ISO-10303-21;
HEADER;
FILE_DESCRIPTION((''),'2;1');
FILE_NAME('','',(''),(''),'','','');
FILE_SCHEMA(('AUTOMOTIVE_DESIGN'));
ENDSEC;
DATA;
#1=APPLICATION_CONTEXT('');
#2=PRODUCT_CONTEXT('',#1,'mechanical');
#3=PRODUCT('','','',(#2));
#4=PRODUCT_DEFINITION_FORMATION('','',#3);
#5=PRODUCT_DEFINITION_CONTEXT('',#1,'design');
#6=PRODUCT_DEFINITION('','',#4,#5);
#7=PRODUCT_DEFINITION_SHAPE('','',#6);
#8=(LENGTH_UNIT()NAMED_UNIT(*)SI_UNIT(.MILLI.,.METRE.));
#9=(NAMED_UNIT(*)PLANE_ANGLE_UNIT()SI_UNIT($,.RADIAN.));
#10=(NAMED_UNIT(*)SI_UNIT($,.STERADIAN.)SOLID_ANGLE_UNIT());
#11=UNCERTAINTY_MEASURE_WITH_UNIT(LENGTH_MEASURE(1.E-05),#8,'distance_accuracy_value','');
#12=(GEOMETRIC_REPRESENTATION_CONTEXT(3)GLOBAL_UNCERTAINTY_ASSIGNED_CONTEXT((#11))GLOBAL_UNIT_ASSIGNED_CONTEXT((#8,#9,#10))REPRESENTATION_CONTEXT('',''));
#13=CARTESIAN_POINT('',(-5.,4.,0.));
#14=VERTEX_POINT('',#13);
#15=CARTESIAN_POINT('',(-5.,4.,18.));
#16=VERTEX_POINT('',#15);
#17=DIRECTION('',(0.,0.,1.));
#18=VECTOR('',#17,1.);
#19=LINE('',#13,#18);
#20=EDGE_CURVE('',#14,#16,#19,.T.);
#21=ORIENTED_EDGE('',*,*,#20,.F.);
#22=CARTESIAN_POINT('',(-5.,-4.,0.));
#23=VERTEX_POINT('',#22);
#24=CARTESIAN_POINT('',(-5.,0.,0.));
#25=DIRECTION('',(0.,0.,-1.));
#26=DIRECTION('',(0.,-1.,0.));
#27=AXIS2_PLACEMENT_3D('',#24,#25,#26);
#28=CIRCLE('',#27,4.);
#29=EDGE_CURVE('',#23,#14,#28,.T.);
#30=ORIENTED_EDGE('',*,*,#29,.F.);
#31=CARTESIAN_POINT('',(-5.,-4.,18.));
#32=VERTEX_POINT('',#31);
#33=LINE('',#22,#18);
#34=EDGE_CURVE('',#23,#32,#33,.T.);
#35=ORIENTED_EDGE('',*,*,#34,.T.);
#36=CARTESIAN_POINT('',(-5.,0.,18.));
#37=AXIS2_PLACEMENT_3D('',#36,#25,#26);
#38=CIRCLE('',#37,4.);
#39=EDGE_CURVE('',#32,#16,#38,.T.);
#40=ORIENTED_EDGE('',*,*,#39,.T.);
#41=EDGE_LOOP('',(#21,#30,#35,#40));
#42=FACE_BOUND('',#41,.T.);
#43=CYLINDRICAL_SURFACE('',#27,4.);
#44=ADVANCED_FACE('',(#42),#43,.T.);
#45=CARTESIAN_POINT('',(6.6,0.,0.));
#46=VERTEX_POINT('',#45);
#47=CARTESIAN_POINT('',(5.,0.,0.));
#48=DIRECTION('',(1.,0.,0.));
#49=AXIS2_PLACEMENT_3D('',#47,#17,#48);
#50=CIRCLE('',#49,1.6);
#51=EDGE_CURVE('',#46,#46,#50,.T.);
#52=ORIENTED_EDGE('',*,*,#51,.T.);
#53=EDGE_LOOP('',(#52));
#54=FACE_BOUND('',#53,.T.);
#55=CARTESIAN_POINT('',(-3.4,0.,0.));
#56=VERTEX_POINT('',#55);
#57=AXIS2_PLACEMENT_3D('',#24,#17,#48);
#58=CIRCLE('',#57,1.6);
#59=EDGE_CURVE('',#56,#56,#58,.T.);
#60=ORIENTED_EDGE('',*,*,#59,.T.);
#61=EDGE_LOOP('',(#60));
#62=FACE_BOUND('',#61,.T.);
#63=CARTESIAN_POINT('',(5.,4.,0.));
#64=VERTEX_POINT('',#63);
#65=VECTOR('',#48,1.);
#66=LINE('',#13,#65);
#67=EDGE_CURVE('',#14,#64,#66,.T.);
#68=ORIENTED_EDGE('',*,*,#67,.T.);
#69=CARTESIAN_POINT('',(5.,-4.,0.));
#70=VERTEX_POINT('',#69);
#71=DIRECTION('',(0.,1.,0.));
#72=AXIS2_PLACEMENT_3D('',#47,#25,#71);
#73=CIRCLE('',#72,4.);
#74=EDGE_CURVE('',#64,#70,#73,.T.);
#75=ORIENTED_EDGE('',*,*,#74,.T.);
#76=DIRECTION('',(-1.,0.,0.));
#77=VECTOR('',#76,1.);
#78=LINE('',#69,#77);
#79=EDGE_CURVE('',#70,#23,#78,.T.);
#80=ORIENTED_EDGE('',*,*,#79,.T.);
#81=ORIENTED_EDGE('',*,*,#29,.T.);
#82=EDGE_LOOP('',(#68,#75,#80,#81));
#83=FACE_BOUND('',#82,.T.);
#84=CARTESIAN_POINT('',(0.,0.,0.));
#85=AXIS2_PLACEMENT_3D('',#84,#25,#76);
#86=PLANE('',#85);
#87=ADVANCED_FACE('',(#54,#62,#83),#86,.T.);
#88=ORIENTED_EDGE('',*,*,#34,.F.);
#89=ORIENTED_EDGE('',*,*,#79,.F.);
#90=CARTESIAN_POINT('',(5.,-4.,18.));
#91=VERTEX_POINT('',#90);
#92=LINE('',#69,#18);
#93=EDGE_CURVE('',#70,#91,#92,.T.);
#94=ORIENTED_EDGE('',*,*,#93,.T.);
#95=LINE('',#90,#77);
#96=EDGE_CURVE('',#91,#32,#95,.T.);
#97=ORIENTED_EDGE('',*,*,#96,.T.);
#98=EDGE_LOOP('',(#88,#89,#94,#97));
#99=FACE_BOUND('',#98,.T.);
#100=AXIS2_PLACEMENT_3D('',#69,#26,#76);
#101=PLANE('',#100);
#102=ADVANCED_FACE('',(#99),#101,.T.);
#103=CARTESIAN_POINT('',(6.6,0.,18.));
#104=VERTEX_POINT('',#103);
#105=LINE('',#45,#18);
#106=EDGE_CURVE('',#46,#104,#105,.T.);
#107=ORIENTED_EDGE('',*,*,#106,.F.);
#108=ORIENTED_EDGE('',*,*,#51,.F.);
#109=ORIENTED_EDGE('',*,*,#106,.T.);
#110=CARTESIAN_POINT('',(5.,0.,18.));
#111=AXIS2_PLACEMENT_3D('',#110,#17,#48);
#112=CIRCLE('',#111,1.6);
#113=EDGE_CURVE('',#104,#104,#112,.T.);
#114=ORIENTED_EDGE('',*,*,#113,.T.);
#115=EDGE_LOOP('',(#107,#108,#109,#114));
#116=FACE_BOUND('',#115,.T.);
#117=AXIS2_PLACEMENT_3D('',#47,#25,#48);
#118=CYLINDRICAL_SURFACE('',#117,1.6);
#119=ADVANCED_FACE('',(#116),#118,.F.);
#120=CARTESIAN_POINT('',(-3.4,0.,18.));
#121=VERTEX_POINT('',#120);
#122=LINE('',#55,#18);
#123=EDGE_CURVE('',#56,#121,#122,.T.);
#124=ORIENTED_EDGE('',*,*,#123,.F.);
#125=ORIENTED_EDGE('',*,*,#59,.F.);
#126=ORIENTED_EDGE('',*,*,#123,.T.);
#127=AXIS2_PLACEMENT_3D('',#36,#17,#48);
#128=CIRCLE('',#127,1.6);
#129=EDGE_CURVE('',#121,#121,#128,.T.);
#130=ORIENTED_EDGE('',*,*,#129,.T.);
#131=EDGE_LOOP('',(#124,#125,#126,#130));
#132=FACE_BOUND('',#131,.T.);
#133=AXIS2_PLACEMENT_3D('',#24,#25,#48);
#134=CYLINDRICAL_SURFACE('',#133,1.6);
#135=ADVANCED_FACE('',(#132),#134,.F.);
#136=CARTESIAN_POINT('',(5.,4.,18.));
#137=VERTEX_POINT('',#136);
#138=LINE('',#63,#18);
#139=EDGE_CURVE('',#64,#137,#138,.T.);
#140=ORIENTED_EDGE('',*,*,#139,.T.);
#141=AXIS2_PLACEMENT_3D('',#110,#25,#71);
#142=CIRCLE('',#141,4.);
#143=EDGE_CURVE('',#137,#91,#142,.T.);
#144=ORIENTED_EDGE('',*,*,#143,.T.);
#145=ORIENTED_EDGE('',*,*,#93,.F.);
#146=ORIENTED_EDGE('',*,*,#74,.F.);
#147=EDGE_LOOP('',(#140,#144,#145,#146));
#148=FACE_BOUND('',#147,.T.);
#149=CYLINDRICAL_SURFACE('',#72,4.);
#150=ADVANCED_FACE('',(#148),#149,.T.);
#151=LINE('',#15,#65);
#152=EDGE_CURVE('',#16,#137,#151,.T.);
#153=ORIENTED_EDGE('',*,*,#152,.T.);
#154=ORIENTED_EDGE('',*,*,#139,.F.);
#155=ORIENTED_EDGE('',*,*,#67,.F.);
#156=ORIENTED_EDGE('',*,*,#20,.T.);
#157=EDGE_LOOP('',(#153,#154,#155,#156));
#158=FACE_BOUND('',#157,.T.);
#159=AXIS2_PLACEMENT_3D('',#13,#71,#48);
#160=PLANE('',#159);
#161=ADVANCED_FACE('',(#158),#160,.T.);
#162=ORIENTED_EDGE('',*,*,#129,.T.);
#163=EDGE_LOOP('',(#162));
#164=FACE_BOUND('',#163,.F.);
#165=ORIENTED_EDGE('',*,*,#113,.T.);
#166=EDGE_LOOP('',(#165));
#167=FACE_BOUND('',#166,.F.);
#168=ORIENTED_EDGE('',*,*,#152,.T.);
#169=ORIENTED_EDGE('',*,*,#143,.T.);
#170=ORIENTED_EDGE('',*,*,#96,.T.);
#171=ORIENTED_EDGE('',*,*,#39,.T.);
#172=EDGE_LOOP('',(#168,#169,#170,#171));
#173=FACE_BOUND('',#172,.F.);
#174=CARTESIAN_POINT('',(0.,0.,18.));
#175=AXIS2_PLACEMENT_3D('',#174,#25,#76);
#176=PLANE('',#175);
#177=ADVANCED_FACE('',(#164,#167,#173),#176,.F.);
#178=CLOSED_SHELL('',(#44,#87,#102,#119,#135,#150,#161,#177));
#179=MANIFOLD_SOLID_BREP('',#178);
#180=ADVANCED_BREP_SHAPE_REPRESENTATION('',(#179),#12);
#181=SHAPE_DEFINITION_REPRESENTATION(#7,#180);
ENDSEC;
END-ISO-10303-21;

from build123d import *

# Parameters (mm, degrees)
SKETCH1_R           = 1.6
BOSS_EXTRUDE1_DEPTH = 18


with BuildPart() as part:
    # Sketch1 → Boss-Extrude1 (new body)
    with BuildSketch(Plane.XY):
        with BuildLine():
            Line((-5, 4), (5, 4))
            ThreePointArc((5, 4), (9, 0), (5, -4))
            Line((5, -4), (-5, -4))
            ThreePointArc((-5, -4), (-9, 0), (-5, 4))
        make_face()
        with Locations((-5, 0)):
            Circle(SKETCH1_R, mode=Mode.SUBTRACT)
        with Locations((5, 0)):
            Circle(SKETCH1_R, mode=Mode.SUBTRACT)
    extrude(amount=BOSS_EXTRUDE1_DEPTH)


solid = part.part
